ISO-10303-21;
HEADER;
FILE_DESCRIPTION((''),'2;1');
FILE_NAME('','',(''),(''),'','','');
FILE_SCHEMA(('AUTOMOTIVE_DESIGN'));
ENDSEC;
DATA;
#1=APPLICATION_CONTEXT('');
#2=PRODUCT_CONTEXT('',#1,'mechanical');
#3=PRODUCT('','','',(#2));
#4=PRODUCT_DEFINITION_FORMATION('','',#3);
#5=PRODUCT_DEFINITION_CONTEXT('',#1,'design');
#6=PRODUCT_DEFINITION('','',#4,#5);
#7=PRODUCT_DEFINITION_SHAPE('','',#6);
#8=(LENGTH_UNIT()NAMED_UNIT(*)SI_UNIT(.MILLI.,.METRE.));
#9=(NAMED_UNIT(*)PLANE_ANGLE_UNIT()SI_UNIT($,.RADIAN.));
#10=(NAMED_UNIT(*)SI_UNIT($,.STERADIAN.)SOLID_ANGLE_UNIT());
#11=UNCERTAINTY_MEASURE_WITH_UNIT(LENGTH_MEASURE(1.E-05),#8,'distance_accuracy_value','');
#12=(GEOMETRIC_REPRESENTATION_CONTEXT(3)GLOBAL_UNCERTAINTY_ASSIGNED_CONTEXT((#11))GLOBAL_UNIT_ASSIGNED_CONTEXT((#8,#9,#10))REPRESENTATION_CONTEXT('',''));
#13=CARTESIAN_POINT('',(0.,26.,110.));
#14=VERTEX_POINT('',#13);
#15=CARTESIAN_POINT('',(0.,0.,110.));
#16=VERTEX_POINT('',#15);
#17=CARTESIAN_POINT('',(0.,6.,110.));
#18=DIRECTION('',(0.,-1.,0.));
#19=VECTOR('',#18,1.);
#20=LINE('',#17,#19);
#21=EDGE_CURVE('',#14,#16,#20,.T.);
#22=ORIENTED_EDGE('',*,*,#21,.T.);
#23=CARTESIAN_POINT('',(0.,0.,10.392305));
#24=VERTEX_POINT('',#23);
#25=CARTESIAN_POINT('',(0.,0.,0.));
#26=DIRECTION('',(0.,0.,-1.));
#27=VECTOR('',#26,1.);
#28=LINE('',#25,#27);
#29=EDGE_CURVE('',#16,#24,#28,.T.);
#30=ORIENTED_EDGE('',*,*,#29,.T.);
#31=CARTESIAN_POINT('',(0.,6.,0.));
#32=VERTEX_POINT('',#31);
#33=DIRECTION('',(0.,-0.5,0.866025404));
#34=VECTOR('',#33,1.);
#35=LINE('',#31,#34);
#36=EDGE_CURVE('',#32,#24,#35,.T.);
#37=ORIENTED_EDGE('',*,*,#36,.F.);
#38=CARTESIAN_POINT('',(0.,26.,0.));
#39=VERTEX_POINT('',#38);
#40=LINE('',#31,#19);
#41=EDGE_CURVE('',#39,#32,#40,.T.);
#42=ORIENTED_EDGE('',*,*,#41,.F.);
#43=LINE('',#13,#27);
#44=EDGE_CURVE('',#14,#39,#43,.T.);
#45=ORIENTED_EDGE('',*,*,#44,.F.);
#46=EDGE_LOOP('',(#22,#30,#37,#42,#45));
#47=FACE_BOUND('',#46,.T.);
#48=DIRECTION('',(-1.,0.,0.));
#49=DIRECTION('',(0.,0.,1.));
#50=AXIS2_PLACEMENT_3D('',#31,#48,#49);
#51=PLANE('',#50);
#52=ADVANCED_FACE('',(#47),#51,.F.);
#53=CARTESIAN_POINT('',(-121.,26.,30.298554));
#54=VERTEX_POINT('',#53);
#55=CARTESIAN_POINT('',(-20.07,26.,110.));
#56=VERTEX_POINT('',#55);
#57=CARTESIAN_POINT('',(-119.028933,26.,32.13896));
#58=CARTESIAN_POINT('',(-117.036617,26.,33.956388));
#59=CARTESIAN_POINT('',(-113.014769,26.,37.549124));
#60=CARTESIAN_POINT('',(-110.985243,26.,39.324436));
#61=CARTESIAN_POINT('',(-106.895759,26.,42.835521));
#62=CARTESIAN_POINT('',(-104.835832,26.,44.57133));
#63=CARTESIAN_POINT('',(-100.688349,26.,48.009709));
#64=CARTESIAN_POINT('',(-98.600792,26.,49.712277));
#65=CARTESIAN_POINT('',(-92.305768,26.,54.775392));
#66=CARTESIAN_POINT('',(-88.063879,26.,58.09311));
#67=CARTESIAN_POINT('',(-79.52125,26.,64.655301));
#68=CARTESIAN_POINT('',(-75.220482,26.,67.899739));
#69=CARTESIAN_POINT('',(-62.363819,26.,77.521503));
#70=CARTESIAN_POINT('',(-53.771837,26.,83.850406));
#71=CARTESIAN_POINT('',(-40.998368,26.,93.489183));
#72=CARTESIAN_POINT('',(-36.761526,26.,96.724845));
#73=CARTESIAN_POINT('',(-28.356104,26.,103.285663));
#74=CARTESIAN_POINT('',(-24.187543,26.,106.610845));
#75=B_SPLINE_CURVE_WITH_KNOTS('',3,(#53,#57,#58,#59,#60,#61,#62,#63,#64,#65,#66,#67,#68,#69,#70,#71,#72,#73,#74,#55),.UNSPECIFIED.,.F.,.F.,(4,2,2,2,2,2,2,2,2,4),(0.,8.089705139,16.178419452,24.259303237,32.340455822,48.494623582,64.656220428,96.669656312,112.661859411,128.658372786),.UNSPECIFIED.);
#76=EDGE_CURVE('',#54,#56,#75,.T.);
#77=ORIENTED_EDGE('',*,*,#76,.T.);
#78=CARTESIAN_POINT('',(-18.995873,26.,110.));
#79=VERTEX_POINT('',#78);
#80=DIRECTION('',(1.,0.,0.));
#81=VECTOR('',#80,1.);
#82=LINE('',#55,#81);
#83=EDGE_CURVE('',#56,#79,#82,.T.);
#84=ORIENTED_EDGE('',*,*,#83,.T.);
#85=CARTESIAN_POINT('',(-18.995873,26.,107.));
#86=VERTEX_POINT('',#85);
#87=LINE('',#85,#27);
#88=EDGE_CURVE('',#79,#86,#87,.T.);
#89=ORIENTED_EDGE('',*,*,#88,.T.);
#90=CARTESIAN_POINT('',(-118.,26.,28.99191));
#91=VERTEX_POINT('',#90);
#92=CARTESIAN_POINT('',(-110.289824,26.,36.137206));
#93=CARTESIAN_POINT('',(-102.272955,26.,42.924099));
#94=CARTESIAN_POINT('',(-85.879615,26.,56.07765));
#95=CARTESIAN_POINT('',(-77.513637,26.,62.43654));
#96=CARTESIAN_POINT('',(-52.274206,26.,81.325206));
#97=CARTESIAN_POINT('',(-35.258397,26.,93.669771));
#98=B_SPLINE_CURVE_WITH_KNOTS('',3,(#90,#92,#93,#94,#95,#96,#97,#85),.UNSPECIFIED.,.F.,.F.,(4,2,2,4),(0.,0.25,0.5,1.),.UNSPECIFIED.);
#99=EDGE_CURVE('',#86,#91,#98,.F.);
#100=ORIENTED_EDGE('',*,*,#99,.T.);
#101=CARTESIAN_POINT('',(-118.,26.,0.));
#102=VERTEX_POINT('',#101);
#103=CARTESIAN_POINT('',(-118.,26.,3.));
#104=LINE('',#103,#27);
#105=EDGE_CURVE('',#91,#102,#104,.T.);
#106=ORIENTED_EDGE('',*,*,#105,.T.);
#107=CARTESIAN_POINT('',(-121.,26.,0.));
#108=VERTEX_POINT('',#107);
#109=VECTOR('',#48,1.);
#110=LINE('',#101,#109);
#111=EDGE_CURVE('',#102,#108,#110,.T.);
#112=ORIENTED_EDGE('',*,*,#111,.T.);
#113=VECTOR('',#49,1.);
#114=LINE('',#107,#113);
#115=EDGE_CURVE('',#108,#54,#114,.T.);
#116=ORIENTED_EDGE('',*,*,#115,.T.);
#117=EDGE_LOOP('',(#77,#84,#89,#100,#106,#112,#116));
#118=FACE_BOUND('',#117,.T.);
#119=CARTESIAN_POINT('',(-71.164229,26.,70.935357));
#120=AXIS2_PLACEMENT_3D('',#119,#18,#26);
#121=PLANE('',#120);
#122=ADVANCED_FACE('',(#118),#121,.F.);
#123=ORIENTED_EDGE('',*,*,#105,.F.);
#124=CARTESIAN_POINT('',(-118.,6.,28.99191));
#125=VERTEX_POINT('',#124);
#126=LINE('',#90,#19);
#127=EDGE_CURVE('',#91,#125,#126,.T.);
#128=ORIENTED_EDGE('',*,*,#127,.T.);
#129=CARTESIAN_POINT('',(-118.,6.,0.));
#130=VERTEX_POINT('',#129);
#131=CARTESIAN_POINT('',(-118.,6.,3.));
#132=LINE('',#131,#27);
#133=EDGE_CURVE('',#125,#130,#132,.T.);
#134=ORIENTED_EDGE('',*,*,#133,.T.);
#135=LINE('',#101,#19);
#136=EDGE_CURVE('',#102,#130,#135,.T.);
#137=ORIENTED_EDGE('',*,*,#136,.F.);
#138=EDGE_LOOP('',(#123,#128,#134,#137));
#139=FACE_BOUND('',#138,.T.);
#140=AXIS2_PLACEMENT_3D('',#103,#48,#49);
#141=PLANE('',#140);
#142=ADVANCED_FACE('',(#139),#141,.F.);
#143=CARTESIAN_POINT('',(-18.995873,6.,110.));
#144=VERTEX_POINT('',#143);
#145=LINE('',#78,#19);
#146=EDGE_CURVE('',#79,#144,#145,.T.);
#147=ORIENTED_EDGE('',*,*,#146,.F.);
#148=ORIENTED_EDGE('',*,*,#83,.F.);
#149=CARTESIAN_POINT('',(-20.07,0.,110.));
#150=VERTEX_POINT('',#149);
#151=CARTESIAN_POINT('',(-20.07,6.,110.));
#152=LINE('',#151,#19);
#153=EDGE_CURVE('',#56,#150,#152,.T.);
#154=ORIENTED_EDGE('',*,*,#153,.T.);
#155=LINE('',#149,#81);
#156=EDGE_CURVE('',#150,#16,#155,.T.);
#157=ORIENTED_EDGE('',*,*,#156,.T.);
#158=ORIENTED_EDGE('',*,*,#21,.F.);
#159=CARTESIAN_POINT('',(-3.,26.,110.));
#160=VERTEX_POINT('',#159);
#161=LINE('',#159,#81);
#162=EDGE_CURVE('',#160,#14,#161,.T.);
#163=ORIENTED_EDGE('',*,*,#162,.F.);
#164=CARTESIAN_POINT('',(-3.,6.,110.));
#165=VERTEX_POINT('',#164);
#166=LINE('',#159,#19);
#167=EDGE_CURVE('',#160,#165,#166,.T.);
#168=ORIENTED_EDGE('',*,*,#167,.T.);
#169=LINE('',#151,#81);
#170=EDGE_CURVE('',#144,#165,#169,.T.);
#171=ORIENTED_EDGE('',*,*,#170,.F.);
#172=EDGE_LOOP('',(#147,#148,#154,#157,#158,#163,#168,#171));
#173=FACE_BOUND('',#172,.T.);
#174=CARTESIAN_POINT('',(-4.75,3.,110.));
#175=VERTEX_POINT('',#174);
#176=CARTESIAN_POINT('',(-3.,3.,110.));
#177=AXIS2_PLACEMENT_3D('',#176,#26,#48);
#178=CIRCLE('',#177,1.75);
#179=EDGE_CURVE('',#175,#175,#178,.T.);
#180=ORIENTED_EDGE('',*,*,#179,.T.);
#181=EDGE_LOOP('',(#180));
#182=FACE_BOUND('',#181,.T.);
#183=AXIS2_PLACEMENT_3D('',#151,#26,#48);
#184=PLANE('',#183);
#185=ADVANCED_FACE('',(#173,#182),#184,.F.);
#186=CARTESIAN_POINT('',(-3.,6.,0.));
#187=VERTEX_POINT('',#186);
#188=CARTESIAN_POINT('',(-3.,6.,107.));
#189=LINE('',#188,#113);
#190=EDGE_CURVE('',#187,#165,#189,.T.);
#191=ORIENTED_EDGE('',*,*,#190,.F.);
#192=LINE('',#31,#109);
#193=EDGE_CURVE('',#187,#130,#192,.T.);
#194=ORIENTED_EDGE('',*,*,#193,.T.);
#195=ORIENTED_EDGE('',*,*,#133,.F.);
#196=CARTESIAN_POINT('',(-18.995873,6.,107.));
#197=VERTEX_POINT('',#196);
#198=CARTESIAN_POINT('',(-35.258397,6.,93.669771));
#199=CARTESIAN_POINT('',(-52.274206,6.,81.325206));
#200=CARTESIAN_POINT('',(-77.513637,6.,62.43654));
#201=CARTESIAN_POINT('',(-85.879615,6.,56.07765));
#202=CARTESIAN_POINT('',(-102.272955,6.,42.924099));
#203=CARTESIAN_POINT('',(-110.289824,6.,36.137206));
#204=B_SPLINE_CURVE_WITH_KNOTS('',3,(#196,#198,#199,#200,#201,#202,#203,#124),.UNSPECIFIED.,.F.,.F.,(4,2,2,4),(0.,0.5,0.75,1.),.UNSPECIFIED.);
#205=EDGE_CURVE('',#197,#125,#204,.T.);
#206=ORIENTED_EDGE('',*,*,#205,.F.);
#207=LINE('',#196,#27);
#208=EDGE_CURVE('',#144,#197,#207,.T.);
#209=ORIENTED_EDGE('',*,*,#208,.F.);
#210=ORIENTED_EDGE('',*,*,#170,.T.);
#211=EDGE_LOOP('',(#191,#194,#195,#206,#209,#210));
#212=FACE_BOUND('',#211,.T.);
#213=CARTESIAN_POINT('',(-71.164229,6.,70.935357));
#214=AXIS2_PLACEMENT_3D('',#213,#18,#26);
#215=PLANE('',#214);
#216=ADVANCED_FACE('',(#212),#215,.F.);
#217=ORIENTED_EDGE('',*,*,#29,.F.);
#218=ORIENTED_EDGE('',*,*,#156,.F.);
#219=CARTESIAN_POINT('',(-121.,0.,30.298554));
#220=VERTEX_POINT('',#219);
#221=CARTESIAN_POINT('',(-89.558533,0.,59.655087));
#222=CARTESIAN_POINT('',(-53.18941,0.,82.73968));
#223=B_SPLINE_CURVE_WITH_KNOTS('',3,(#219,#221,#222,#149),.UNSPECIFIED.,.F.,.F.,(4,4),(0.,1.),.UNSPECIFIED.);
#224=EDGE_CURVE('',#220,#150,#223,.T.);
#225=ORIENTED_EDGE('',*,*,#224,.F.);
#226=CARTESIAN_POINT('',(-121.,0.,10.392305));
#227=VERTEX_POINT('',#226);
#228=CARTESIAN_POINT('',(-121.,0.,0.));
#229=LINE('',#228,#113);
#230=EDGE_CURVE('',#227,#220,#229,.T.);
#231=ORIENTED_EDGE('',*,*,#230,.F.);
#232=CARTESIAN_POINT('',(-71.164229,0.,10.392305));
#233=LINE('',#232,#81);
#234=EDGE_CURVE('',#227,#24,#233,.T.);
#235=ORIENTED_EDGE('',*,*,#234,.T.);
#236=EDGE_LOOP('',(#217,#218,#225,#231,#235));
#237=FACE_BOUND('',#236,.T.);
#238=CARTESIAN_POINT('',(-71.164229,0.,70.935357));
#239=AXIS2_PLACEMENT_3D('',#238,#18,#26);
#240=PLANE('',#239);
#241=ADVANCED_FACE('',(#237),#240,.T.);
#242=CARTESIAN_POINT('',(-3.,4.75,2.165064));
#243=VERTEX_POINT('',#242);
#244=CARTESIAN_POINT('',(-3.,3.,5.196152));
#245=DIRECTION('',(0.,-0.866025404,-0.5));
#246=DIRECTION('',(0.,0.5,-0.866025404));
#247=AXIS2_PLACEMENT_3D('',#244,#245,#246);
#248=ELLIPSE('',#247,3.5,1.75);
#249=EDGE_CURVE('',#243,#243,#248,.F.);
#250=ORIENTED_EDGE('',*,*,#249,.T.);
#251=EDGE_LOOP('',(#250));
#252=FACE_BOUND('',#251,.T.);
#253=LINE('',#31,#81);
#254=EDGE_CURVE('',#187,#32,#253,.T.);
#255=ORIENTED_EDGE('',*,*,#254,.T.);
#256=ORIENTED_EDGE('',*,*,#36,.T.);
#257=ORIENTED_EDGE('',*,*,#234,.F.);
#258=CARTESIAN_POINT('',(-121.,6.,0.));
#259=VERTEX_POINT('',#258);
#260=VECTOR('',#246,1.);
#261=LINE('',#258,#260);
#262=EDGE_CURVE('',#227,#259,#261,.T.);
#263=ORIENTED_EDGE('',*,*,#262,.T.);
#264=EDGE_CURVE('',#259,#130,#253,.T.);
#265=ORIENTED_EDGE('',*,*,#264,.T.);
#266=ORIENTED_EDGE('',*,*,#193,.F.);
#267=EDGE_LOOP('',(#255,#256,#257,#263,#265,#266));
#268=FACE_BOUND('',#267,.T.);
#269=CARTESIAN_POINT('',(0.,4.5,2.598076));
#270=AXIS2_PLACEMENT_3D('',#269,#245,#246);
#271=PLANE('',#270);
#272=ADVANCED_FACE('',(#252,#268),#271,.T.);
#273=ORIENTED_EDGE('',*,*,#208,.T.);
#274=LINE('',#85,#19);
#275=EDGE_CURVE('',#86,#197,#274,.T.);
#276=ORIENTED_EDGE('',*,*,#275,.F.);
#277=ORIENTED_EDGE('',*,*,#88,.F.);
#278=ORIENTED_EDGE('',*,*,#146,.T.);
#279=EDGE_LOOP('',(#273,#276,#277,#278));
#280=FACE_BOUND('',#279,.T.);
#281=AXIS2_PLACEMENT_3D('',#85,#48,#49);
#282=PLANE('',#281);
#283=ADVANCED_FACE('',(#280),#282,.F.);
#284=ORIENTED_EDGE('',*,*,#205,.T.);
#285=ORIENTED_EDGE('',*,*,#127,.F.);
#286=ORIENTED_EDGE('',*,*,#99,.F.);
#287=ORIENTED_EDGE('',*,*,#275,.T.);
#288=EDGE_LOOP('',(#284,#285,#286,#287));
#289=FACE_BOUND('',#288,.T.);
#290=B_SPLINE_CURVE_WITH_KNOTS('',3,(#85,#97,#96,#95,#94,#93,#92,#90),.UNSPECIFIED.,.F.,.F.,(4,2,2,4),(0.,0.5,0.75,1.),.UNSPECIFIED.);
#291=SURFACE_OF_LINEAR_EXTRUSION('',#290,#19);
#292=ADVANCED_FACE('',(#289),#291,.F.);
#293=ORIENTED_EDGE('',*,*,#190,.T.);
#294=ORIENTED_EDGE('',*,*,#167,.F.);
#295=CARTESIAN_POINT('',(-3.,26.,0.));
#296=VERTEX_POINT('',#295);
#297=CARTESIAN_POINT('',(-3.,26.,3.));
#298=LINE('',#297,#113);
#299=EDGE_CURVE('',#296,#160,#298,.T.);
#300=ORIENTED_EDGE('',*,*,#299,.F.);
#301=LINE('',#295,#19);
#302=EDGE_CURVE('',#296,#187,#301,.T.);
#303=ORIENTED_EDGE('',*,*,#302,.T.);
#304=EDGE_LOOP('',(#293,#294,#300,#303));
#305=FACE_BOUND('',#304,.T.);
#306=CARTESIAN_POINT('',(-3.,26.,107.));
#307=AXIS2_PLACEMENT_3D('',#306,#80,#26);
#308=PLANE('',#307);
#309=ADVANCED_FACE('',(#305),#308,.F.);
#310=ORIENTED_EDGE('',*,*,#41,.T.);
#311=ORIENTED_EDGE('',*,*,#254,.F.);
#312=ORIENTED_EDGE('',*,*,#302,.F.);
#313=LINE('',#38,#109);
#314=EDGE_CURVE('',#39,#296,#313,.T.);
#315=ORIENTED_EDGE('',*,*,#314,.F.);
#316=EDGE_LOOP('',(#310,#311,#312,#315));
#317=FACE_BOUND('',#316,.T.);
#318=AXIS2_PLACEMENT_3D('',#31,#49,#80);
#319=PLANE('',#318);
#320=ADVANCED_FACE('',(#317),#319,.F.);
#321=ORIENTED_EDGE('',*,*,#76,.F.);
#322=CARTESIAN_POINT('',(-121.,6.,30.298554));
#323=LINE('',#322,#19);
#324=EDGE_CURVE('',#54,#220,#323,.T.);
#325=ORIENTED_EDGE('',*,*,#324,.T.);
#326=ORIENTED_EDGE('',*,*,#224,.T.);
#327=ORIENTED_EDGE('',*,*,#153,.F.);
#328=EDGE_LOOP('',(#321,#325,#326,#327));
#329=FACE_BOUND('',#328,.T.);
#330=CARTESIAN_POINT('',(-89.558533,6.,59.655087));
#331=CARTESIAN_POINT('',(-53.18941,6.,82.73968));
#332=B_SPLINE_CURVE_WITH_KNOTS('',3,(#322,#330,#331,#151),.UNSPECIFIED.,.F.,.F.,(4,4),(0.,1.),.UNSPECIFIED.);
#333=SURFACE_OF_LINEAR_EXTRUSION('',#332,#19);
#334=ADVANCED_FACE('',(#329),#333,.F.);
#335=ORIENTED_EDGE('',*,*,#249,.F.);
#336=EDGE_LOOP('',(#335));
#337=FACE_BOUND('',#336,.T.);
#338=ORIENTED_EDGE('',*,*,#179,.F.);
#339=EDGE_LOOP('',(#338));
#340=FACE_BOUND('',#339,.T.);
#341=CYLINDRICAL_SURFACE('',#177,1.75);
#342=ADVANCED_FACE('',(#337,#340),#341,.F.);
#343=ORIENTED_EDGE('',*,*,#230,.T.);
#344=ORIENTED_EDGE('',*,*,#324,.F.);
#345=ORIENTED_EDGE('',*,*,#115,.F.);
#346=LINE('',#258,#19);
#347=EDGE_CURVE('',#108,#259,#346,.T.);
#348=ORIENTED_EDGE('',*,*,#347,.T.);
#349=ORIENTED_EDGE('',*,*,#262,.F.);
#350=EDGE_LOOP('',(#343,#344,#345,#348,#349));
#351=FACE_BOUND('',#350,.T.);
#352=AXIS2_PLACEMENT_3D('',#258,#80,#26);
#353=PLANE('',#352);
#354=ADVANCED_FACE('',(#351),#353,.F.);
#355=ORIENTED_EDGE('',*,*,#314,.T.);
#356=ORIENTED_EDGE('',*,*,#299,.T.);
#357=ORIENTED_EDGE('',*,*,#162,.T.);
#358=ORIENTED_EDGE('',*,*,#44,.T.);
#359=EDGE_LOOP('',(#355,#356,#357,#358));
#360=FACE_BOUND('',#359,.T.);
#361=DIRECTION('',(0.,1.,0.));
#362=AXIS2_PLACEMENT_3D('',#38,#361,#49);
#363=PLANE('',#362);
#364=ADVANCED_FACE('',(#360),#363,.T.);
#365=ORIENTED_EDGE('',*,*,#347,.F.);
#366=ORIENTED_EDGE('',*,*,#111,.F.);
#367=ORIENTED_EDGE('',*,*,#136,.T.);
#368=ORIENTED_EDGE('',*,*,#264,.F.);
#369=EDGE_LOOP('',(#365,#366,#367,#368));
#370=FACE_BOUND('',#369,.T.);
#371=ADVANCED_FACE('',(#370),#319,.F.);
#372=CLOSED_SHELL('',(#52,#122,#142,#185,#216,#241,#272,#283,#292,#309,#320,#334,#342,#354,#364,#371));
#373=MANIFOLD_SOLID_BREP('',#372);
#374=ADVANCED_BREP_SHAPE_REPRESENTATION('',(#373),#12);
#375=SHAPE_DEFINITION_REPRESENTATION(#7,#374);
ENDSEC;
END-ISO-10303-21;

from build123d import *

# Parameters (mm, degrees)
BOSS_EXTRUDE1_DEPTH     = 6
CUT_EXTRUDE1_DEPTH      = 164.636793074
CUT_EXTRUDE1_DEPTH_BACK = 164.636793074
SKETCH2_R               = 1.75
BOSS_EXTRUDE2_DEPTH     = 20
SKETCH4_W               = 132.33663358
SKETCH4_H               = 54.683142632
CUT_EXTRUDE2_DEPTH      = 20


with BuildPart() as part:
    # Sketch1 → Boss-Extrude1 (new body)
    with BuildSketch(Plane(origin=(0, 0, 0), x_dir=(1, 0, 0), z_dir=(0, 1, 0))):
        with BuildLine():
            Line((0, 0), (-121, 0))
            Line((-121, 0), (-121, -30.298554482))
            add(Edge.make_bspline(
                [(-121, -30.298554482), (-89.558533356, -59.655086777), (-53.189409509, -82.739680225), (-20.07, -110)],
                knots=[0, 0, 0, 0, 1, 1, 1, 1], degree=3))
            Line((-20.07, -110), (0, -110))
            Line((0, -110), (0, 0))
        make_face()
    extrude(amount=BOSS_EXTRUDE1_DEPTH)

    # Sketch2 → Cut-Extrude1 (cut, two sides: drawn at the far end of the back side and taken through both)
    with BuildSketch(Plane(origin=(0, 0, 0), x_dir=(-1, 0, 0), z_dir=(0, 0, -1)).offset(-CUT_EXTRUDE1_DEPTH_BACK)):
        with Locations((3, 3)):
            Circle(SKETCH2_R)
    extrude(amount=CUT_EXTRUDE1_DEPTH + CUT_EXTRUDE1_DEPTH_BACK, mode=Mode.SUBTRACT)

    # Sketch3 → Boss-Extrude2 (add)
    with BuildSketch(Plane(origin=(0, 6, 0), x_dir=(1, 0, 0), z_dir=(0, 1, 0))):
        with BuildLine():
            Line((-118, -3), (-118, 0))
            Line((-118, 0), (-121, 0))
            Line((-121, 0), (-121, -30.298554482))
            add(Edge.make_bspline(
                [(-121, -30.298554482), (-89.558533356, -59.655086777), (-53.189409509, -82.739680225), (-20.07, -110)],
                knots=[0, 0, 0, 0, 1, 1, 1, 1], degree=3))
            Line((-20.07, -110), (-18.995872781, -110))
            Line((-18.995872781, -110), (-18.995872781, -107))
            add(Edge.make_bspline(
                [(-118, -28.991909602), (-110.289824181, -36.137206416), (-102.272955066, -42.924098905), (-85.87961507, -56.077650281), (-77.513636875, -62.436539609), (-52.27420649, -81.325206417), (-35.258396574, -93.669770918), (-18.995872781, -107)],
                knots=[0, 0, 0, 0, 0.25, 0.25, 0.5, 0.5, 1, 1, 1, 1], degree=3))
            Line((-118, -28.991909602), (-118, -3))
        make_face()
        Polygon((-3, -3), (-3, 0), (0, 0), (0, -110), (-3, -110), (-3, -107), align=None)
    extrude(amount=BOSS_EXTRUDE2_DEPTH)

    # Sketch4 → Cut-Extrude2 (cut)
    with BuildSketch(Plane(origin=(0, 4.5, 2.598076211), x_dir=(-1, 0, 0), z_dir=(0, -0.8660254037844398, -0.499999999999998))):
        with Locations((60.84284102, -6.354682021)):
            Rectangle(SKETCH4_W, SKETCH4_H)
    extrude(amount=CUT_EXTRUDE2_DEPTH, mode=Mode.SUBTRACT)


solid = part.part
